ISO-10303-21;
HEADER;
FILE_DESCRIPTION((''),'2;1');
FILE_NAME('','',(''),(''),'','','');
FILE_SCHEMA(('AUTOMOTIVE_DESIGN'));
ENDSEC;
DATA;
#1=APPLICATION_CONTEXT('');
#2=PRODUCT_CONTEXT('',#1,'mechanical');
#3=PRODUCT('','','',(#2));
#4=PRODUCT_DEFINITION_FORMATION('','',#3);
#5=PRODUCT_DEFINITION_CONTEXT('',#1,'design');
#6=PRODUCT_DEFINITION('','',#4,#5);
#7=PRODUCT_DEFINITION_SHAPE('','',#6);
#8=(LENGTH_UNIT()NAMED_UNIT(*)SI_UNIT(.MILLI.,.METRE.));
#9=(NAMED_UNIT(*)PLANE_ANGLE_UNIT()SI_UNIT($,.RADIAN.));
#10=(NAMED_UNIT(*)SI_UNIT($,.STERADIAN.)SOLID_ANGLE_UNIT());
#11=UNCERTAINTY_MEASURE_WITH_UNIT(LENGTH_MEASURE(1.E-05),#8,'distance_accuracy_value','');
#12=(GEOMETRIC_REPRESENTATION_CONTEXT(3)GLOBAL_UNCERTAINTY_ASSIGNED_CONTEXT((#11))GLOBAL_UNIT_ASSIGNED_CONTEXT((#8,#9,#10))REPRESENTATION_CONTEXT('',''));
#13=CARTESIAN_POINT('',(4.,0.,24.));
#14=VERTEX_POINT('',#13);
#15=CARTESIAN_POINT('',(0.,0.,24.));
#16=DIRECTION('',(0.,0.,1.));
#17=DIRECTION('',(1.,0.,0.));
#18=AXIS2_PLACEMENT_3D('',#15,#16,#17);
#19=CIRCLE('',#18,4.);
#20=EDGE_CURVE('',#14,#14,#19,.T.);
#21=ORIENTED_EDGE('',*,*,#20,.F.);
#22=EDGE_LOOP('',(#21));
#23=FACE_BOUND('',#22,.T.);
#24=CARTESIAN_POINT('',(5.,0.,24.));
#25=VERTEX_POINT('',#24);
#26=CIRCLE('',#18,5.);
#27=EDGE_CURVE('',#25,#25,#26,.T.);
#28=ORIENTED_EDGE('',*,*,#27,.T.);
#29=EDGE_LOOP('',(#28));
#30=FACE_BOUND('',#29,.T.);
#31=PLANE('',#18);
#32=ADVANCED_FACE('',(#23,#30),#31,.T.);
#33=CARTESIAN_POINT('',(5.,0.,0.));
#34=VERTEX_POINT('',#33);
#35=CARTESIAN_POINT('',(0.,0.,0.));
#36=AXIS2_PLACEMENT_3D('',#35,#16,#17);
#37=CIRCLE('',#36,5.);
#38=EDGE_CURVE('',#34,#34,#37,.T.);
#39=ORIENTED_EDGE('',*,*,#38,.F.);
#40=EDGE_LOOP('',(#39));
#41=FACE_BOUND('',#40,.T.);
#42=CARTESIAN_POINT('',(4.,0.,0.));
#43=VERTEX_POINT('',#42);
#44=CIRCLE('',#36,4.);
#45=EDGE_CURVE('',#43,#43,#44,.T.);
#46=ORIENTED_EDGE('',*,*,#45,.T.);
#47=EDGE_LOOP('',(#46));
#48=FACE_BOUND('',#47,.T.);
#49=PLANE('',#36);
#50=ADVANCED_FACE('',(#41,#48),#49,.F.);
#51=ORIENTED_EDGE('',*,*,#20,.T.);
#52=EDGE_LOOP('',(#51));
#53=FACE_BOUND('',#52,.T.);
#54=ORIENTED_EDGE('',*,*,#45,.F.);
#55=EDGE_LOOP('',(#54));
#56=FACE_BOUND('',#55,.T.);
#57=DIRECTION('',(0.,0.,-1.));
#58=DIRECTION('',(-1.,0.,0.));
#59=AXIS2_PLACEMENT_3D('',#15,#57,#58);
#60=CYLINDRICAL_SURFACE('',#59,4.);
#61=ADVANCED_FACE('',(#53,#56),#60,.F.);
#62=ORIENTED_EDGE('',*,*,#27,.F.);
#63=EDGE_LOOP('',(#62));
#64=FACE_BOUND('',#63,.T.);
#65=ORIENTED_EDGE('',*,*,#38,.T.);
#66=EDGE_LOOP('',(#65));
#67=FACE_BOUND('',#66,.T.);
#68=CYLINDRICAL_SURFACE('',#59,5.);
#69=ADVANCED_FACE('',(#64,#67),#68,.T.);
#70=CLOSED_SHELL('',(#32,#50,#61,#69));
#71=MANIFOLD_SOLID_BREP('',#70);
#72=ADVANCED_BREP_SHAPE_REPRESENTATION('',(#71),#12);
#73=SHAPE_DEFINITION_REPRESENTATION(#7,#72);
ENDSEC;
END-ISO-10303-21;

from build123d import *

# Parameters (mm, degrees)
SKICA1_R                = 5
SKICA1_R_2              = 4
P_IDAT_VYSUNUT_M1_DEPTH = 24


with BuildPart() as part:
    # Skica1 → Přidat vysunutím1 (new body)
    with BuildSketch(Plane.XY):
        Circle(SKICA1_R)
        Circle(SKICA1_R_2, mode=Mode.SUBTRACT)
    extrude(amount=P_IDAT_VYSUNUT_M1_DEPTH)


solid = part.part
